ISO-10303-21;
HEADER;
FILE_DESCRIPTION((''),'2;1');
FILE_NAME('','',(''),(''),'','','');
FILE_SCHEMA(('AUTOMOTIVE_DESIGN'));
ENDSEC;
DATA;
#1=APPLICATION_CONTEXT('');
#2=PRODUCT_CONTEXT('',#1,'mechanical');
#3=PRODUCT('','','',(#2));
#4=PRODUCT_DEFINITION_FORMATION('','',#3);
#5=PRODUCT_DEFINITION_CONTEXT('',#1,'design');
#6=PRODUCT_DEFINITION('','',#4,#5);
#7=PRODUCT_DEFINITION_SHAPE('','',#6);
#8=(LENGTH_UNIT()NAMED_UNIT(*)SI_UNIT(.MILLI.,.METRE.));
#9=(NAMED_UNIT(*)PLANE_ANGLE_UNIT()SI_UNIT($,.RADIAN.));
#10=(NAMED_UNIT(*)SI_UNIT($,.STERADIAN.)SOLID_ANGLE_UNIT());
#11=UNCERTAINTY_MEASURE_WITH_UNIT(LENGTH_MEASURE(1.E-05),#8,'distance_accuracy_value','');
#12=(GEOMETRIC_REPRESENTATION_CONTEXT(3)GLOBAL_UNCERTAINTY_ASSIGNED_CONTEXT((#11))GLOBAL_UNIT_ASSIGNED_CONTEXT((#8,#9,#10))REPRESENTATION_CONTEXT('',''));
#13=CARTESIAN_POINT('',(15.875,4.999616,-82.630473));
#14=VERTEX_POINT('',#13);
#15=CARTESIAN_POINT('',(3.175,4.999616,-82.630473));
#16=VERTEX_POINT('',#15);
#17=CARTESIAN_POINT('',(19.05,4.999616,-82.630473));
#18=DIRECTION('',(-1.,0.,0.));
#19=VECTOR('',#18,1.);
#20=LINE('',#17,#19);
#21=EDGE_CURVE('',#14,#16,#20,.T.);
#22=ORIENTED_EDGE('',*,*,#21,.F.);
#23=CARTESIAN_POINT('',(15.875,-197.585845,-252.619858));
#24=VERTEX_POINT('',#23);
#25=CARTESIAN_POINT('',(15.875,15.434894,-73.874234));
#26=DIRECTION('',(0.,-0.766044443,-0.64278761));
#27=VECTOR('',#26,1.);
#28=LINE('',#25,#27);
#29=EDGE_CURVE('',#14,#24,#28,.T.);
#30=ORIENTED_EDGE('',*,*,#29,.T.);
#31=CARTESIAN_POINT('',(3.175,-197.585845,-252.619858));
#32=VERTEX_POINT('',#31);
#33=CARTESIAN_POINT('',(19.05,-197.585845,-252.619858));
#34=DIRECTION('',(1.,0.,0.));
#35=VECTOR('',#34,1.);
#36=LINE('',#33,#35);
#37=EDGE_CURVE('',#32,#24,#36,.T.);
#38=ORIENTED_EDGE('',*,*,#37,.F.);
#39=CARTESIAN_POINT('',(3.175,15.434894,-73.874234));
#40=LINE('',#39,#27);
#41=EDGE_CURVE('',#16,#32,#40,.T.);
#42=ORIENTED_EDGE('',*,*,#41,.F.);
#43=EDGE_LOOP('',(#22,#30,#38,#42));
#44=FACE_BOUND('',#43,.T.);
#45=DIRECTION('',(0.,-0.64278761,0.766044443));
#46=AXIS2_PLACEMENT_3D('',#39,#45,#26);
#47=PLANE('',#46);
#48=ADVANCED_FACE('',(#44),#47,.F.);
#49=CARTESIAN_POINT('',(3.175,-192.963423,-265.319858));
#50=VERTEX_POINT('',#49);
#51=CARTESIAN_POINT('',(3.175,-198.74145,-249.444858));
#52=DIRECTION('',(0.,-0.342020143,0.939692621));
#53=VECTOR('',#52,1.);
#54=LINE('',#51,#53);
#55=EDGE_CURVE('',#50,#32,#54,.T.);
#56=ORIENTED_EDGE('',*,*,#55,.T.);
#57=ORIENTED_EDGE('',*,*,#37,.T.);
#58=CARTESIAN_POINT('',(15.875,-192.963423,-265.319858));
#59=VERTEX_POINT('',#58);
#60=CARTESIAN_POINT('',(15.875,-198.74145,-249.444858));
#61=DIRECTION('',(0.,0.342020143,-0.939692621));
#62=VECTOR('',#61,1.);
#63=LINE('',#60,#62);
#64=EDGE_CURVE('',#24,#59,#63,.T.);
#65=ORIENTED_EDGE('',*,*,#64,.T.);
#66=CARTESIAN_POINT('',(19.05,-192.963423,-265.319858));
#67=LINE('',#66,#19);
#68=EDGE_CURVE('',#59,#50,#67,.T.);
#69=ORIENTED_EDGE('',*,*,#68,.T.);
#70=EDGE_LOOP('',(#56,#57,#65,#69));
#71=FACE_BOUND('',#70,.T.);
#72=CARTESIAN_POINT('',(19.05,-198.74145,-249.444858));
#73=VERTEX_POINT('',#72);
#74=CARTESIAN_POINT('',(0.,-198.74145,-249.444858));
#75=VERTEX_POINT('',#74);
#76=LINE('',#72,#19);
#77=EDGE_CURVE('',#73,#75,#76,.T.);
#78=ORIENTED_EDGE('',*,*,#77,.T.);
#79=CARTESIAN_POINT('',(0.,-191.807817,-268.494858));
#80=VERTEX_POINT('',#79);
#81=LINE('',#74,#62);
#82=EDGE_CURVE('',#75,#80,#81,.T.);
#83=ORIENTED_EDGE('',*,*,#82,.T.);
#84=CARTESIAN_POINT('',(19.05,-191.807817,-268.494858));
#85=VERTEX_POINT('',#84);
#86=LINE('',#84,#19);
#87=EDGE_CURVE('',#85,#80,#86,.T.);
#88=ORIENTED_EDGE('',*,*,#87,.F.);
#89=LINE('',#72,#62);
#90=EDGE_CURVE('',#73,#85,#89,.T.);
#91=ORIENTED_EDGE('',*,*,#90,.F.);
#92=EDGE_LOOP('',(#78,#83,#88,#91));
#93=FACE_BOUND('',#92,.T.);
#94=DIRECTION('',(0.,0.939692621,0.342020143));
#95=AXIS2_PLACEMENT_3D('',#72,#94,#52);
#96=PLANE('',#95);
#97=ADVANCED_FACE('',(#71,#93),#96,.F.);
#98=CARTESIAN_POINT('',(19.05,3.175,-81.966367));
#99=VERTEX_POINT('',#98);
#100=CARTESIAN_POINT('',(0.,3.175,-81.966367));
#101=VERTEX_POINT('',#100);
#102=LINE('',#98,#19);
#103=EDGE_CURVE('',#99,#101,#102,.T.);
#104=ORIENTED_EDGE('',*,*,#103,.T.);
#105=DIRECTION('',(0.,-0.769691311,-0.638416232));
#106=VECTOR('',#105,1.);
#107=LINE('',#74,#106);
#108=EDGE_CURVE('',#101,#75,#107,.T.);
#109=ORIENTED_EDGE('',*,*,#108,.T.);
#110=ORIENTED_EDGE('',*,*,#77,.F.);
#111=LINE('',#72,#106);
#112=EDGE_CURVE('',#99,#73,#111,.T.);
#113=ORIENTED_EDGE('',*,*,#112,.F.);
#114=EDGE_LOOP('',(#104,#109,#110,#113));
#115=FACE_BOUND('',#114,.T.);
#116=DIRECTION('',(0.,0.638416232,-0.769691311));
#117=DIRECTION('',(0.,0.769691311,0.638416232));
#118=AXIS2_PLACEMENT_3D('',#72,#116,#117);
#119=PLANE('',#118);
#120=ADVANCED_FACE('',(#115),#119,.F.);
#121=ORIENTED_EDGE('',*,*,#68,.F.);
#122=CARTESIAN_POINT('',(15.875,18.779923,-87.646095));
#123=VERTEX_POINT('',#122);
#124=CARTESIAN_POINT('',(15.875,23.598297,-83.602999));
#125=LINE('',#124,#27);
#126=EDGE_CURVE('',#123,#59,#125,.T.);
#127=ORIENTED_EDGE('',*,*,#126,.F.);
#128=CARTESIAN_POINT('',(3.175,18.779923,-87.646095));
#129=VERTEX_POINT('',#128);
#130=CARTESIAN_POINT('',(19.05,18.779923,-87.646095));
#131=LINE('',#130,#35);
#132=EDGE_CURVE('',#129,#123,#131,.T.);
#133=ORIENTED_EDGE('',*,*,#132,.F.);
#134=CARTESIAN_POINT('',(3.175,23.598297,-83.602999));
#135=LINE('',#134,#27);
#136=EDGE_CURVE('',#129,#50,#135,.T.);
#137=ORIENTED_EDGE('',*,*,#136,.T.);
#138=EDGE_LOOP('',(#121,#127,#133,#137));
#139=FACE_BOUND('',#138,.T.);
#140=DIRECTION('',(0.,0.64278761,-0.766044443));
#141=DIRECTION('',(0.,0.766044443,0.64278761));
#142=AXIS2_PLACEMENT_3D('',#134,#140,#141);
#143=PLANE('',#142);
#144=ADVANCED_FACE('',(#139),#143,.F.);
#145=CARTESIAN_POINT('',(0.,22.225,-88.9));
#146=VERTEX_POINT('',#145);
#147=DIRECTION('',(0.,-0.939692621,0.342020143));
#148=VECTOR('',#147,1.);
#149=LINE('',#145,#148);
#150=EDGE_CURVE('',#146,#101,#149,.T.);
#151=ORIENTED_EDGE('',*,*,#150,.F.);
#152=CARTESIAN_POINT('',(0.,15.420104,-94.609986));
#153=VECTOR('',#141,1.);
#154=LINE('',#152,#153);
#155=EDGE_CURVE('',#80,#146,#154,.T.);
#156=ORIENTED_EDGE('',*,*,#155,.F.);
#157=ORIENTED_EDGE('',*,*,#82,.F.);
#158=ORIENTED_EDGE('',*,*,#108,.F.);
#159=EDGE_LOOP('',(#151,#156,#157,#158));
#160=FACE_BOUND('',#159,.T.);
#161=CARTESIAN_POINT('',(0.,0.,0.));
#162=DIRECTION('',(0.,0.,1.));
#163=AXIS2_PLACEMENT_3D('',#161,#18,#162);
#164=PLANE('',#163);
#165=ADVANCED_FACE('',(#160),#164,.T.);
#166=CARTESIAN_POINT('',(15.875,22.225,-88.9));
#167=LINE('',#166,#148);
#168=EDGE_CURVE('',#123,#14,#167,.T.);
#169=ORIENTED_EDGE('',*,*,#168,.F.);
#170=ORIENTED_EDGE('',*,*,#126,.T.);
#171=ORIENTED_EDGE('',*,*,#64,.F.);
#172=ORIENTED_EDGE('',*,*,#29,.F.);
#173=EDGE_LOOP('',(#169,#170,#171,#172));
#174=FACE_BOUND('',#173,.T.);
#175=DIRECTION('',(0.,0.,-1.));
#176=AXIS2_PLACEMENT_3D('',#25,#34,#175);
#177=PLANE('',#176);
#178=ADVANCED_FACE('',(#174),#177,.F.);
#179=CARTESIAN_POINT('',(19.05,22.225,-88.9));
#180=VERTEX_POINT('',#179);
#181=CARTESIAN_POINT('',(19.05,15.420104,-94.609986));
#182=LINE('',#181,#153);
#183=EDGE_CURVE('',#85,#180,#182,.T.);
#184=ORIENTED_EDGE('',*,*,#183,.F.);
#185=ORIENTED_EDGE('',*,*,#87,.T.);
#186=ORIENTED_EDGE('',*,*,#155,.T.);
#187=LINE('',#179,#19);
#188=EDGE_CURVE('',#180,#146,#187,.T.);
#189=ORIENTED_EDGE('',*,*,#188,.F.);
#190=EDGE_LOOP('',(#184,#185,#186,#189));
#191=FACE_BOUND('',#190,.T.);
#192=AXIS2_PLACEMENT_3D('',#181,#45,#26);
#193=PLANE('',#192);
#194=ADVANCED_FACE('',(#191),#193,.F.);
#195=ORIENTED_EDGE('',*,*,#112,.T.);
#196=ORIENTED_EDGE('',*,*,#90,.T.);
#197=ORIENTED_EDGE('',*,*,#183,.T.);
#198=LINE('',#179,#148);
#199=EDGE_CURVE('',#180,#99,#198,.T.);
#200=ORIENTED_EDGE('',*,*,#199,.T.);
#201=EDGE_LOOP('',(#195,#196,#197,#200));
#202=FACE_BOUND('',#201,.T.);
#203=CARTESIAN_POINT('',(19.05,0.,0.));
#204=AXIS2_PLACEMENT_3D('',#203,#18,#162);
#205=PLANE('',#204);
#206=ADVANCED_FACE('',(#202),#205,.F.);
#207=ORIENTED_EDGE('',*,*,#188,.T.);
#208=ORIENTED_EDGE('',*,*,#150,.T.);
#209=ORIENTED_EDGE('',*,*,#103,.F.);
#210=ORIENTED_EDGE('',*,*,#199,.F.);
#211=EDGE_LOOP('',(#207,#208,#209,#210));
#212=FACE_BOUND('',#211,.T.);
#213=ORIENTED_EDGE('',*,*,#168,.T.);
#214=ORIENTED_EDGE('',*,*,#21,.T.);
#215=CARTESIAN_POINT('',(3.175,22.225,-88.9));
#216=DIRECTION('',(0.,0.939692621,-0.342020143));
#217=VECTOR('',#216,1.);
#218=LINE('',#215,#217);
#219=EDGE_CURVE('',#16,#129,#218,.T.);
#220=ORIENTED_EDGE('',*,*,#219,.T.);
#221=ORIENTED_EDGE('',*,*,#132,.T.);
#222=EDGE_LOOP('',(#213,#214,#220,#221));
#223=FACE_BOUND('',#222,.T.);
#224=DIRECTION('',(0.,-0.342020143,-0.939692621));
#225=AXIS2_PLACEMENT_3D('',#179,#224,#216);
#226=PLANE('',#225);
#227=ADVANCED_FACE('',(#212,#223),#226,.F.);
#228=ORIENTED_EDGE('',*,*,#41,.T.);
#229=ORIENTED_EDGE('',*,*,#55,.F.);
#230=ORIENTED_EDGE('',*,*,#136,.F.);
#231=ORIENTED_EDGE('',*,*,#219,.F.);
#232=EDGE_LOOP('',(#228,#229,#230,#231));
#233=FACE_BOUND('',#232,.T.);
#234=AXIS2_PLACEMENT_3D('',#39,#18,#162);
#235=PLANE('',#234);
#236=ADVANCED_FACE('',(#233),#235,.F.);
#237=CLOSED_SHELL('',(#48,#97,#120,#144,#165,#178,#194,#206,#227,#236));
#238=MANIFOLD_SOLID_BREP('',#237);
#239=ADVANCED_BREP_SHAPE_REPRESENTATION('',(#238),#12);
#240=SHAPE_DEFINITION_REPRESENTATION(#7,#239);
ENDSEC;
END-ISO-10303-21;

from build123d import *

# Parameters (mm, degrees)
BOSS_EXTRUDE1_DEPTH     = 19.05
CUT_EXTRUDE1_DEPTH      = 295.751251025
CUT_EXTRUDE1_DEPTH_BACK = 295.751251025
SKETCH2_W               = 12.7
SKETCH2_H               = 12.7


with BuildPart() as part:
    # Sketch1 → Boss-Extrude1 (new body)
    with BuildSketch(Plane(origin=(0, 0, 0), x_dir=(0, 0, -1), z_dir=(1, 0, 0))):
        Polygon((249.444858146, -198.74145037), (268.494858146, -191.807817407), (94.609985754, 15.420103965), (88.9, 22.225), (81.966367037, 3.175), align=None)
    extrude(amount=BOSS_EXTRUDE1_DEPTH)

    # Sketch2 → Cut-Extrude1 (cut, two sides: drawn at the far end of the back side and taken through both)
    with BuildSketch(Plane(origin=(0, -244.765356655, -205.382520494), x_dir=(-1, 0, 0), z_dir=(0, -0.766044443118953, -0.6427876096865692)).offset(-CUT_EXTRUDE1_DEPTH_BACK)):
        with Locations((-9.525, 72.862305619)):
            Rectangle(SKETCH2_W, SKETCH2_H)
    extrude(amount=CUT_EXTRUDE1_DEPTH + CUT_EXTRUDE1_DEPTH_BACK, mode=Mode.SUBTRACT)


solid = part.part
